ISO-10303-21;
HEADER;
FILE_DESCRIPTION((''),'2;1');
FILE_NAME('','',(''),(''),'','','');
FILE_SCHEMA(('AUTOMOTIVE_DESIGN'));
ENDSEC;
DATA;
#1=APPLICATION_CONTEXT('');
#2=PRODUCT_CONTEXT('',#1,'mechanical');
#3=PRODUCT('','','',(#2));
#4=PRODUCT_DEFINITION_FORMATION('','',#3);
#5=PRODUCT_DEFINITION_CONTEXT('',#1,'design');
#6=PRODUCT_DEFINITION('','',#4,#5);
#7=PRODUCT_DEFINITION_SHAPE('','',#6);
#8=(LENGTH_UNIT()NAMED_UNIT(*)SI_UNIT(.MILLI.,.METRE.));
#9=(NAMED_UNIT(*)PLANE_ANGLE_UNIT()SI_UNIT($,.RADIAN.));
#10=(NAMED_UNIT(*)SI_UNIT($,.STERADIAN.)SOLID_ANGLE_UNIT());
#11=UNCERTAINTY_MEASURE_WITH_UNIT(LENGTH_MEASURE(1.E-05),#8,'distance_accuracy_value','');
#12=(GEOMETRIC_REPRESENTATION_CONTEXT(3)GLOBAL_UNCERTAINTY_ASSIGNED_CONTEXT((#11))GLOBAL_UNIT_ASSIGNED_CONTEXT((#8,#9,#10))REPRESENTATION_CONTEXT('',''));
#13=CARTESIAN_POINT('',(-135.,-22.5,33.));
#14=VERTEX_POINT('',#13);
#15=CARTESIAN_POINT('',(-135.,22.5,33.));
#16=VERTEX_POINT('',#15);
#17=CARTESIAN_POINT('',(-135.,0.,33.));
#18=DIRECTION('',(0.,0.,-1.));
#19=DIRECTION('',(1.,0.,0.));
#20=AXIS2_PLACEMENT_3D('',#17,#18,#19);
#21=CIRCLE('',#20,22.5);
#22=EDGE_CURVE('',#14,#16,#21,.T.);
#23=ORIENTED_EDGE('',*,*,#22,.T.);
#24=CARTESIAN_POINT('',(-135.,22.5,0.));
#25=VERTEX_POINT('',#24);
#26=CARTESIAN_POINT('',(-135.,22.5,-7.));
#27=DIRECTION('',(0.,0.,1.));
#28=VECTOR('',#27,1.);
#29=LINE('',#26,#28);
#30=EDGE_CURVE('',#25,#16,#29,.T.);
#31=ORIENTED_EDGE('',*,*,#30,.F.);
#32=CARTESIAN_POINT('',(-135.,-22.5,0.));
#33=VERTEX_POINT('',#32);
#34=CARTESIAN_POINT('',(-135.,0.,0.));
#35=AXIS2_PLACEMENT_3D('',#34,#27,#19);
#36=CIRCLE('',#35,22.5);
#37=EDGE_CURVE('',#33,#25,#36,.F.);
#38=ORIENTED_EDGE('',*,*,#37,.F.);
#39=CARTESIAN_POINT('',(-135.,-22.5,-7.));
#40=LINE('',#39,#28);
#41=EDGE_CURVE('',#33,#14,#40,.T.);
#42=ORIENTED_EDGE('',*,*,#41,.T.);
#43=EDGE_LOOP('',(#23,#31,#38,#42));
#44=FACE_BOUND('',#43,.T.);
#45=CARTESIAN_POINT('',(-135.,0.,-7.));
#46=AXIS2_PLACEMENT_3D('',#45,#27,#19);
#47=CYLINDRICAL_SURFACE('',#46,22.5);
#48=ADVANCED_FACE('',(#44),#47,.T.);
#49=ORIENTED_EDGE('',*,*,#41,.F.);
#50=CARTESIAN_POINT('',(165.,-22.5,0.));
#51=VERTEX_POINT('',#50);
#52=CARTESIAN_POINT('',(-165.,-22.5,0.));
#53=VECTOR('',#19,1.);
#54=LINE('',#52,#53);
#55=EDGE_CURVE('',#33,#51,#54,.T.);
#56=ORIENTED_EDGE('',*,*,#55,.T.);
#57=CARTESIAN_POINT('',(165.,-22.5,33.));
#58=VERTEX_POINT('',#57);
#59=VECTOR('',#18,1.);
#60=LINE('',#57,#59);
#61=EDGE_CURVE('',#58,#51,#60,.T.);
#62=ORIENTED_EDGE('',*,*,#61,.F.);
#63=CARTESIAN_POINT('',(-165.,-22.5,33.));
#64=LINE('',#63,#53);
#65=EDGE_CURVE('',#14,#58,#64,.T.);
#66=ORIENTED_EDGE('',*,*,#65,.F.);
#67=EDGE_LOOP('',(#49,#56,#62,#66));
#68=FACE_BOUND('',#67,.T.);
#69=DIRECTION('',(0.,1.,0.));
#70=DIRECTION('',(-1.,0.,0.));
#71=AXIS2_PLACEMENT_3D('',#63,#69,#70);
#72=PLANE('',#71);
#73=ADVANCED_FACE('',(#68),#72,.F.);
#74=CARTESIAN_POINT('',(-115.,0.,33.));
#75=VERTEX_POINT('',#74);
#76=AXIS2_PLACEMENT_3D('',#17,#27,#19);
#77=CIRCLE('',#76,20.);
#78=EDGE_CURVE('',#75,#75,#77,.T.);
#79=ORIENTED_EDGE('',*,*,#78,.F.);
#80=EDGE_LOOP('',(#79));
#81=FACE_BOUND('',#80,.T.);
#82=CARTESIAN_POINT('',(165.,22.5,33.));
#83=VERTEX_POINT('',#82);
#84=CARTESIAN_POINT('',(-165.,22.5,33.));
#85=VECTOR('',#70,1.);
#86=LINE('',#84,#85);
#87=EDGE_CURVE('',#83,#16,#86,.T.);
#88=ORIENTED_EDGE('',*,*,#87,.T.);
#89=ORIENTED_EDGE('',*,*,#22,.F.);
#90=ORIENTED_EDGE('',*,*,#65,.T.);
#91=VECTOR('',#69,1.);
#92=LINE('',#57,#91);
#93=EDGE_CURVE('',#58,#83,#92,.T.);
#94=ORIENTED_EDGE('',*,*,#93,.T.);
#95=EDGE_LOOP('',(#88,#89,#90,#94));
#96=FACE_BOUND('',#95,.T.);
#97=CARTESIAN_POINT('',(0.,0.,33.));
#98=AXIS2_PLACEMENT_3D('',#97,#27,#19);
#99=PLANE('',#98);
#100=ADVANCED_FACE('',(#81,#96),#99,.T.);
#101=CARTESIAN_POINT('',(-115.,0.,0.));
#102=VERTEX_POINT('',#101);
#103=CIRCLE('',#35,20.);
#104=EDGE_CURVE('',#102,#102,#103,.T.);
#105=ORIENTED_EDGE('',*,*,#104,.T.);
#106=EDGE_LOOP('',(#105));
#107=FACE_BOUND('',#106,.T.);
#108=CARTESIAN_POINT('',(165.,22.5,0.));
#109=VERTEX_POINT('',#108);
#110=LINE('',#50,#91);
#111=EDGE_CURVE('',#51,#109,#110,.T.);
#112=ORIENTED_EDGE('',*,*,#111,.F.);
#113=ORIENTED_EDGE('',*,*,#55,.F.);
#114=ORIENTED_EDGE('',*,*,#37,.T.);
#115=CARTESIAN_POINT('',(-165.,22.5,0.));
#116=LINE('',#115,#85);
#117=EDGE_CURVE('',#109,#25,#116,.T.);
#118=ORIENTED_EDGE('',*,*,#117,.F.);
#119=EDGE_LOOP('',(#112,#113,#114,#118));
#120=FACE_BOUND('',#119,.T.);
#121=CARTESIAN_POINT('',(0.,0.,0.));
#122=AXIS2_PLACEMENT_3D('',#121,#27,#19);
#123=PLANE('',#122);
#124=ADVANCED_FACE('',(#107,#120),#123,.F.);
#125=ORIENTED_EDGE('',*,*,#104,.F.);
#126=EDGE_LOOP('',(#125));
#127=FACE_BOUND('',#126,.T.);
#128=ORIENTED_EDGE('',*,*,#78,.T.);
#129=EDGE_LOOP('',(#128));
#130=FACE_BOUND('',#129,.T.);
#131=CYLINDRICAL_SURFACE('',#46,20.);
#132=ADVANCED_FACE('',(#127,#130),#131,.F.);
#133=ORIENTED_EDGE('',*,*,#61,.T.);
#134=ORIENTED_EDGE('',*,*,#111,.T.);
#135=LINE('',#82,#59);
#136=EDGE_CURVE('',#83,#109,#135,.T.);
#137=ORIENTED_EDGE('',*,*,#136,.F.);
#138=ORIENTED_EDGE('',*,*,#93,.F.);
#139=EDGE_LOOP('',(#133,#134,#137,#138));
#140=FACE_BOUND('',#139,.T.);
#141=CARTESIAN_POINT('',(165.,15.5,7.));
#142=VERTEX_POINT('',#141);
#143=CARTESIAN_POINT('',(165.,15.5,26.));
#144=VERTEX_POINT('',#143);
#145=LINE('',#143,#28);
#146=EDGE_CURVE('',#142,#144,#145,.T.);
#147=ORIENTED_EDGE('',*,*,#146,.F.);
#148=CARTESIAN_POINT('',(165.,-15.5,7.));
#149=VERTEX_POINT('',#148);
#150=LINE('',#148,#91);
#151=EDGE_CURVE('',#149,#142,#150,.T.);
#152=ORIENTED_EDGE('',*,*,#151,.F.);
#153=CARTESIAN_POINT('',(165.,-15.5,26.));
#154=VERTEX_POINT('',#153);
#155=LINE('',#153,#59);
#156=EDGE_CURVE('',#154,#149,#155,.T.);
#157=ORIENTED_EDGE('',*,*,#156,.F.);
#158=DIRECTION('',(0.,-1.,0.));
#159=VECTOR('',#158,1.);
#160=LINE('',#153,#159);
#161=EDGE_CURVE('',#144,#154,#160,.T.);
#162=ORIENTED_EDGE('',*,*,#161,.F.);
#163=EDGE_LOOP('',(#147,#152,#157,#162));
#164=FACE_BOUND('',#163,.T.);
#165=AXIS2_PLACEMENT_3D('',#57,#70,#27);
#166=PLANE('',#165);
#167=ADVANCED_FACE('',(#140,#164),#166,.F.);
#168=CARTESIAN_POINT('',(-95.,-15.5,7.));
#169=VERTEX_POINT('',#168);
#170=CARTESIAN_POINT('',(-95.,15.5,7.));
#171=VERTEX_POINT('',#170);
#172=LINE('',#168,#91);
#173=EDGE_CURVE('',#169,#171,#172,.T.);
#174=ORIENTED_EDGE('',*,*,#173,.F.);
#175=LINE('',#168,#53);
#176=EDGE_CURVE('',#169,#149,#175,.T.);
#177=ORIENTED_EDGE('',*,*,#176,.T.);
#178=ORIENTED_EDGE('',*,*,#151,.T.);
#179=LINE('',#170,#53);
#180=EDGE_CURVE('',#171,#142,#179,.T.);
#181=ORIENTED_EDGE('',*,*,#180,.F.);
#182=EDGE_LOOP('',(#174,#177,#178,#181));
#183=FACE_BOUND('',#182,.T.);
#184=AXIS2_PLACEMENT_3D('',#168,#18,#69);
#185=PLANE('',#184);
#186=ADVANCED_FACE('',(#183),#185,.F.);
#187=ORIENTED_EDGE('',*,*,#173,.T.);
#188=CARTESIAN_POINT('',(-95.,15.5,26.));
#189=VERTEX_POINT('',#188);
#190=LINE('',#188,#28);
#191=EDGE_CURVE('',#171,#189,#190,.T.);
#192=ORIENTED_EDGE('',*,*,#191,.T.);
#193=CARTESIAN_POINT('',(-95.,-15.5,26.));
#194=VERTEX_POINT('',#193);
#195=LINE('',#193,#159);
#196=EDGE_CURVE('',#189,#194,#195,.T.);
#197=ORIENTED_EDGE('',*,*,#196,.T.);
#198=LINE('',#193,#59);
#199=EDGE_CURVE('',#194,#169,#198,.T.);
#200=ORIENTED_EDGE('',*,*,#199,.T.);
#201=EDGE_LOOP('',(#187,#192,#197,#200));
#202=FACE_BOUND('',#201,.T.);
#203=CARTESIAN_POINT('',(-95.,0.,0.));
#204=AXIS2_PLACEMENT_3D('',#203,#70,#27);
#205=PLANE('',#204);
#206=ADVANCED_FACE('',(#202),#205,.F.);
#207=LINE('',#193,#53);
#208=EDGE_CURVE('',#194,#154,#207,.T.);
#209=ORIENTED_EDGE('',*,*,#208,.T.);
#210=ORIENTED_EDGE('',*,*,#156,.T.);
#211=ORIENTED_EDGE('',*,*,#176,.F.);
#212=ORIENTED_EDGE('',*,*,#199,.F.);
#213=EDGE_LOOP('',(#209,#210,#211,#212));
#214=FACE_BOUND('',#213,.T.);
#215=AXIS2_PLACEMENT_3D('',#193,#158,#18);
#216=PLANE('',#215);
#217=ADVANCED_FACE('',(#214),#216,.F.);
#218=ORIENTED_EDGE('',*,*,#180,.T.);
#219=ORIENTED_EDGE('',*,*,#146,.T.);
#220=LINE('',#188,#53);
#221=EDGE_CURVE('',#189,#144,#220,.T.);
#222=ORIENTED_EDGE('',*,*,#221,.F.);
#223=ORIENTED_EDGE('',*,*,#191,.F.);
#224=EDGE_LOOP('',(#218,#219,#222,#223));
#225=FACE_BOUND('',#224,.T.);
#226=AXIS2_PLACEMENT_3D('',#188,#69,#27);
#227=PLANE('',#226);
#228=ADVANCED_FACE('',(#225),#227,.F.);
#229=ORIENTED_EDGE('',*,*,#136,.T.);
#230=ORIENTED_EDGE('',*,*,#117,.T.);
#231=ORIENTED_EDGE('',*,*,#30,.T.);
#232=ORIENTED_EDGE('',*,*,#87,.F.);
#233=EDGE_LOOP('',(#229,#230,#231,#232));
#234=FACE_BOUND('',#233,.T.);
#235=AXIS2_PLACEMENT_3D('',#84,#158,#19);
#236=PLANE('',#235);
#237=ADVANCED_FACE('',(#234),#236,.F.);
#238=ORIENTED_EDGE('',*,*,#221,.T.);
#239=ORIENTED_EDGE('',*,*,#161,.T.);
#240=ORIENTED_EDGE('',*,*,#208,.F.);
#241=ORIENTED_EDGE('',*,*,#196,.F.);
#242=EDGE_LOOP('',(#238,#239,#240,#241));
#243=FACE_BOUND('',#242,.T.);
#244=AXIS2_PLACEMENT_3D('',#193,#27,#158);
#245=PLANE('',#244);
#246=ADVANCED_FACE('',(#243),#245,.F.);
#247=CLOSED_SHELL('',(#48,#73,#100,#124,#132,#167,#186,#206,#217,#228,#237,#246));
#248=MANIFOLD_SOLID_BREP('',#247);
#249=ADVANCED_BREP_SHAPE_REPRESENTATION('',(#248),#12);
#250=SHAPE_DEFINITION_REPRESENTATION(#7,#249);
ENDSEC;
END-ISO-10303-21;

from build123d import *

# Parameters (mm, degrees)
SKETCH1_W           = 330
SKETCH1_H           = 45
BOSS_EXTRUDE1_DEPTH = 33
SKETCH2_R           = 20
CUT_EXTRUDE1_DEPTH  = 40
SKETCH3_W           = 19
SKETCH3_H           = 31
CUT_EXTRUDE2_DEPTH  = 260


with BuildPart() as part:
    # Sketch1 → Boss-Extrude1 (new body)
    with BuildSketch(Plane.XY):
        Rectangle(SKETCH1_W, SKETCH1_H)
    extrude(amount=BOSS_EXTRUDE1_DEPTH)

    # Sketch2 → Cut-Extrude1 (cut)
    with BuildSketch(Plane.XY.offset(33)):
        with Locations((-135, 0)):
            Circle(SKETCH2_R)
        with BuildLine():
            Line((-135, 22.5), (-173.521075779, 35.069593385))
            Line((-173.521075779, 35.069593385), (-171.569663812, -40.136425611))
            Line((-171.569663812, -40.136425611), (-135, -22.5))
            ThreePointArc((-135, -22.5), (-157.5, 0), (-135, 22.5))
        make_face()
    extrude(amount=-CUT_EXTRUDE1_DEPTH, mode=Mode.SUBTRACT)

    # Sketch3 → Cut-Extrude2 (cut)
    with BuildSketch(Plane(origin=(165, 0, 0), x_dir=(0, 0, -1), z_dir=(1, 0, 0))):
        with Locations((-16.5, 0)):
            Rectangle(SKETCH3_W, SKETCH3_H)
    extrude(amount=-CUT_EXTRUDE2_DEPTH, mode=Mode.SUBTRACT)


solid = part.part
